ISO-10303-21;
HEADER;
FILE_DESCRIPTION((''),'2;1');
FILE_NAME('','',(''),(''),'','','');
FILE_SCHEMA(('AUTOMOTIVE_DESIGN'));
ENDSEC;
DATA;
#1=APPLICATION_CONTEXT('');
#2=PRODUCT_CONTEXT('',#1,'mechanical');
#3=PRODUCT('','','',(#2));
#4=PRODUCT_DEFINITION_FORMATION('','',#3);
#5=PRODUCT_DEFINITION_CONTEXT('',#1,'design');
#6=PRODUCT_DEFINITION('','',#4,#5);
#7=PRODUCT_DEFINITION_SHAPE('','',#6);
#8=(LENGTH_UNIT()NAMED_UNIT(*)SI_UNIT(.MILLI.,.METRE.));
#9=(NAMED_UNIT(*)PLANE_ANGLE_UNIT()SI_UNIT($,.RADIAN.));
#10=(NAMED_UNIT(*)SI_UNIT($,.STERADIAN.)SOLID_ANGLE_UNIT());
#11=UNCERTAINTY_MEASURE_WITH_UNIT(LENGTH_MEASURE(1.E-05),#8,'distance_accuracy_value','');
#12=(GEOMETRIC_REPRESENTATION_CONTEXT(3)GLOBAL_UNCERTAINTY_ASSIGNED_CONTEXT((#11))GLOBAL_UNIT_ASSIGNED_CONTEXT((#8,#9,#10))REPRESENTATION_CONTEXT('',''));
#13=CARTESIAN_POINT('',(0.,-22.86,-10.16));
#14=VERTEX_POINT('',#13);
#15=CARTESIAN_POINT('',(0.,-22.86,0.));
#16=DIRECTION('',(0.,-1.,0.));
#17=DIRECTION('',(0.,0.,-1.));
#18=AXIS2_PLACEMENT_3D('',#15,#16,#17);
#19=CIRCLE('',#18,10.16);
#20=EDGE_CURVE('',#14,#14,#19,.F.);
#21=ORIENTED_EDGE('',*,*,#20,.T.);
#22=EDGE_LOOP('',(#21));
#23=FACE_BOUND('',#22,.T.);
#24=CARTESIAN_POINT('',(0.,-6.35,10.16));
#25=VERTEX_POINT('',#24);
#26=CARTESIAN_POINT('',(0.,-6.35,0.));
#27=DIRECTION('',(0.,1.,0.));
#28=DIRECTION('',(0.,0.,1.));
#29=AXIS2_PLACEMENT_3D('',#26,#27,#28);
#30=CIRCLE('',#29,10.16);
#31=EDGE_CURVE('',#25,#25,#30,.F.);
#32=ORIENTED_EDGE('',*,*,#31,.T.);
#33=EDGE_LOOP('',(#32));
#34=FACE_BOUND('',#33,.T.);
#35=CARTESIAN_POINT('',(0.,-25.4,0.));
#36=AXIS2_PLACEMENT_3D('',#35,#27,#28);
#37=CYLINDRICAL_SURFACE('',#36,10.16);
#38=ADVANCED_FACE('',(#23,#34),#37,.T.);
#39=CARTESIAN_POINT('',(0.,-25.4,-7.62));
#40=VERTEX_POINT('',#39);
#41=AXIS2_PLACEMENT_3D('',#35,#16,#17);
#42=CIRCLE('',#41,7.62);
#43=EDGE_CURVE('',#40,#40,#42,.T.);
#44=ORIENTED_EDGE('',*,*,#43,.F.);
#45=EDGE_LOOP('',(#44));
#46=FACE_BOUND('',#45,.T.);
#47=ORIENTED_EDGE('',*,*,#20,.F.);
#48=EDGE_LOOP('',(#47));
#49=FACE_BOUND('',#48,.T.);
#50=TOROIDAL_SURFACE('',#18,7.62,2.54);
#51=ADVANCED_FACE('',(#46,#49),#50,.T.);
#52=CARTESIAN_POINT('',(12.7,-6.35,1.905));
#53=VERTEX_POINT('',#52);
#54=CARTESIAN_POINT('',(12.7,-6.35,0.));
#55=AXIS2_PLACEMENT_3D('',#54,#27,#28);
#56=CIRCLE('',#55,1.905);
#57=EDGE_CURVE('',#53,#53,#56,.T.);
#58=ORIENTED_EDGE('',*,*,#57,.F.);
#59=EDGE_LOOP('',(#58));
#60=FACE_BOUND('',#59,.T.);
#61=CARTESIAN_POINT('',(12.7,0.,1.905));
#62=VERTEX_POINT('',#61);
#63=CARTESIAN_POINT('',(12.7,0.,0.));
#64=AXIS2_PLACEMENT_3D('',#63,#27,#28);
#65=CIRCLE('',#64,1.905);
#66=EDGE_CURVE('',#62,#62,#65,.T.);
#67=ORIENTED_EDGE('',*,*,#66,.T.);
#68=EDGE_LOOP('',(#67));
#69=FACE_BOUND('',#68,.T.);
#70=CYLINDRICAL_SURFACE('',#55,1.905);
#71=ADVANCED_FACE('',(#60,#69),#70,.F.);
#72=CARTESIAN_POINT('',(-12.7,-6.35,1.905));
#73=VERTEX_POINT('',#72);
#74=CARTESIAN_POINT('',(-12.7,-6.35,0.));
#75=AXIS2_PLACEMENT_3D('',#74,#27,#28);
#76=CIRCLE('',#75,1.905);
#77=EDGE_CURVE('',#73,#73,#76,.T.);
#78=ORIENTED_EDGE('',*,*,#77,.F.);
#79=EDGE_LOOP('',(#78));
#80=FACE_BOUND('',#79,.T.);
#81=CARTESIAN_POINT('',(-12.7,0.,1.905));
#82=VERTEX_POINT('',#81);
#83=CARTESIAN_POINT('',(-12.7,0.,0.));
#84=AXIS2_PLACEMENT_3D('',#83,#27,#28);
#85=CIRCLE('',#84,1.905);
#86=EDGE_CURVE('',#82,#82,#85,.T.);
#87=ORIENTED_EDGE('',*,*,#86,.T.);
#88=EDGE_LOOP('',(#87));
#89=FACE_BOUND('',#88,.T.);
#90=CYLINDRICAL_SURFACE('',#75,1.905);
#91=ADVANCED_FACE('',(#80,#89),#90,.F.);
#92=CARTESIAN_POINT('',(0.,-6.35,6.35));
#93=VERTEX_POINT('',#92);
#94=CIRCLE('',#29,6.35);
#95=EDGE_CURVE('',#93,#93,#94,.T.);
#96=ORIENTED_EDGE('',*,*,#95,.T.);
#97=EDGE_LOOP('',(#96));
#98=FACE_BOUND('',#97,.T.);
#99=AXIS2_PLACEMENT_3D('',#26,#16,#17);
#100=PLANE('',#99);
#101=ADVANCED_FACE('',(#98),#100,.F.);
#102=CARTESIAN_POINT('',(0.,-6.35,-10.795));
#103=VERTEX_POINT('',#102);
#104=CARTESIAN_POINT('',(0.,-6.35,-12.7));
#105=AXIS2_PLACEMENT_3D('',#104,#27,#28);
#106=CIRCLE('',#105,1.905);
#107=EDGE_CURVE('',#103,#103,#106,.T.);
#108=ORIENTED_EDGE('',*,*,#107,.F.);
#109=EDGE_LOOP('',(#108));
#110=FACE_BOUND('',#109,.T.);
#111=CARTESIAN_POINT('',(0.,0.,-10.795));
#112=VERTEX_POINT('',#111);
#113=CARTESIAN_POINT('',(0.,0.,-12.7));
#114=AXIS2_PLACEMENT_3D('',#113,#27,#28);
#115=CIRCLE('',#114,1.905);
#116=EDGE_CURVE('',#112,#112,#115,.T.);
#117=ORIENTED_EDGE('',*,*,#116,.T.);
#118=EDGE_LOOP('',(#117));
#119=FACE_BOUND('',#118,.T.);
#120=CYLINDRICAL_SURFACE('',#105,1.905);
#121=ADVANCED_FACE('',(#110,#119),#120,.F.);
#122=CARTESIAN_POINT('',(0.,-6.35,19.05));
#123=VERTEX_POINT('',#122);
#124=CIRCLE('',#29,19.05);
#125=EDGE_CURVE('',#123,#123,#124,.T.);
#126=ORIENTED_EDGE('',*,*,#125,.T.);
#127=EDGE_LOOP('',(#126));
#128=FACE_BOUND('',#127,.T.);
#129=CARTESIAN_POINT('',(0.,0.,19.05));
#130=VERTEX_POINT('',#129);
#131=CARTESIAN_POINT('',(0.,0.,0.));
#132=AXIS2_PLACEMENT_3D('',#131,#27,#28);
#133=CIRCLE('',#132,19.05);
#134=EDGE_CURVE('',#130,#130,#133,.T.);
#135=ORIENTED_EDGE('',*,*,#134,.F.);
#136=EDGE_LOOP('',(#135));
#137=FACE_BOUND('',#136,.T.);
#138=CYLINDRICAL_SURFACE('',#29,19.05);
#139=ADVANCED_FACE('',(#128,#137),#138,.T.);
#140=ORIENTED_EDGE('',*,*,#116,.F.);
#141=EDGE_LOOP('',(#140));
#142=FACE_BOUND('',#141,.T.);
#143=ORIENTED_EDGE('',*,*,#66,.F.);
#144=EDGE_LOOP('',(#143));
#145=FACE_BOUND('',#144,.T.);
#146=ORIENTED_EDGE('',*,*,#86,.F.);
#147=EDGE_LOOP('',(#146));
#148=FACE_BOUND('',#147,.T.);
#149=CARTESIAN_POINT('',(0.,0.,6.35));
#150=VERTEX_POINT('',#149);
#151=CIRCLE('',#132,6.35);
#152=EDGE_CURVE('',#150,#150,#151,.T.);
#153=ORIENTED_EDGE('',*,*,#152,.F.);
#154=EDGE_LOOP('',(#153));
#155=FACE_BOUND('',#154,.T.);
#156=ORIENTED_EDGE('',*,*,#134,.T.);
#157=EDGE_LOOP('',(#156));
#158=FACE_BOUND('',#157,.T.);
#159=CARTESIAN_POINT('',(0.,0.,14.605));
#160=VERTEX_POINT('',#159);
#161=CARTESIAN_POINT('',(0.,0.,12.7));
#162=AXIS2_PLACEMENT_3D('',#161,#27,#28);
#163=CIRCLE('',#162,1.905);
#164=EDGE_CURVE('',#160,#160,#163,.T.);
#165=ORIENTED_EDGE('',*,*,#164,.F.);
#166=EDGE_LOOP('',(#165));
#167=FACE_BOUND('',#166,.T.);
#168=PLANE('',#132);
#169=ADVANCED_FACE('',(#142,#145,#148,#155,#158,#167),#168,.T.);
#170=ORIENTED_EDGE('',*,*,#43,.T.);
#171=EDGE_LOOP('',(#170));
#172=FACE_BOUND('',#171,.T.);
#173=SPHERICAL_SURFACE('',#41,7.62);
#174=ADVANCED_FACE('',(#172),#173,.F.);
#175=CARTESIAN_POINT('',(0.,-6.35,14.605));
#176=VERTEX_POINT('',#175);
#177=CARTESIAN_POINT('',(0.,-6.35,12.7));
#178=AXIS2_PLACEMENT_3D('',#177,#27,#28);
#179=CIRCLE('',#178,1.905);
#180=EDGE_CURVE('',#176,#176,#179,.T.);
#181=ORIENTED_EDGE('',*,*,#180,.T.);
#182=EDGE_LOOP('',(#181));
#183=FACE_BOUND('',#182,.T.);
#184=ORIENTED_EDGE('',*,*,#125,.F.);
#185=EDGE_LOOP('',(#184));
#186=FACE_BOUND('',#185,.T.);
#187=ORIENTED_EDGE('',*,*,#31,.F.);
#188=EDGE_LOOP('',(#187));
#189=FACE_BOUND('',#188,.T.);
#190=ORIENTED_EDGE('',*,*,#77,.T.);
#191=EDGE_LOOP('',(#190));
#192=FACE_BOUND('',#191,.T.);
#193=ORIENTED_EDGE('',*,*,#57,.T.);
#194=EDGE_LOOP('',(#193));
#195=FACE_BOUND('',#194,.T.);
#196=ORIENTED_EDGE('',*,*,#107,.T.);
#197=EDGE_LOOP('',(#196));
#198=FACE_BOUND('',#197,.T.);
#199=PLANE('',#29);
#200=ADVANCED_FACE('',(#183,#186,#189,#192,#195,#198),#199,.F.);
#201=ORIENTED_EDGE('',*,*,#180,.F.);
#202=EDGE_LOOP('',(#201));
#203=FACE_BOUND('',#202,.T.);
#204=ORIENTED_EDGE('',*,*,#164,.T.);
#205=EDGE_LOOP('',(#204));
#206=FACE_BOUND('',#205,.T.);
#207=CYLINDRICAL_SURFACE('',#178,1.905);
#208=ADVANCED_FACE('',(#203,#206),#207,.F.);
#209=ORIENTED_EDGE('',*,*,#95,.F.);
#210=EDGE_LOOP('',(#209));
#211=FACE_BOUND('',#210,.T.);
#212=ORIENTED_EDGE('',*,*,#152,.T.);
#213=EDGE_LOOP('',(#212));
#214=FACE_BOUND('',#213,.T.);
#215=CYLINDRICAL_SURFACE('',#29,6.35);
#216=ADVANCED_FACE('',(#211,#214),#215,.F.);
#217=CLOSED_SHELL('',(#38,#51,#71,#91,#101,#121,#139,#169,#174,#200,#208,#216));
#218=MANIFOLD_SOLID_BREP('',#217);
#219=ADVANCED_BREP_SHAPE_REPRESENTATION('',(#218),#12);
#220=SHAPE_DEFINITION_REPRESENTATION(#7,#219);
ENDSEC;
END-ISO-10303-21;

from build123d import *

# Parameters (mm, degrees)
SKETCH2_R           = 19.05
SKETCH2_R_2         = 6.35
SKETCH2_R_3         = 1.905
BOSS_EXTRUDE1_DEPTH = 6.35
SKETCH3_R           = 10.16
BOSS_EXTRUDE2_DEPTH = 19.05
FILLET1_R           = 2.54


with BuildPart() as part:
    # Sketch2 → Boss-Extrude1 (new body)
    with BuildSketch(Plane(origin=(0, 0, 0), x_dir=(1, 0, 0), z_dir=(0, 1, 0))):
        with Locations(Location((0, 0, 0), (0, 0, 270))):
            Circle(SKETCH2_R)
        with Locations(Location((0, 0, 0), (0, 0, 270))):
            Circle(SKETCH2_R_2, mode=Mode.SUBTRACT)
        with Locations(Location((0, 12.7, 0), (0, 0, 270))):
            Circle(SKETCH2_R_3, mode=Mode.SUBTRACT)
        with Locations(Location((12.7, 0, 0), (0, 0, 270))):
            Circle(SKETCH2_R_3, mode=Mode.SUBTRACT)
        with Locations(Location((0, -12.7, 0), (0, 0, 270))):
            Circle(SKETCH2_R_3, mode=Mode.SUBTRACT)
        with Locations(Location((-12.7, 0, 0), (0, 0, 270))):
            Circle(SKETCH2_R_3, mode=Mode.SUBTRACT)
    extrude(amount=-BOSS_EXTRUDE1_DEPTH)

    # Sketch3 → Boss-Extrude2 (add)
    with BuildSketch(Plane.XZ.offset(6.35)):
        with Locations(Location((0, 0, 0), (0, 0, 90))):
            Circle(SKETCH3_R)
    extrude(amount=BOSS_EXTRUDE2_DEPTH)

    # Fillet1
    fillet1_edges = [part.edges().sort_by_distance(p)[0] for p in [
        (0, -25.4, -10.16),
    ]]
    fillet(fillet1_edges, radius=FILLET1_R)


with BuildPart() as body_2:
    # Sketch5 → Revolve1 (revolve)
    with BuildSketch(Plane.XZ.offset(25.4)):
        with BuildLine():
            Line((0, 7.62), (0, -7.62))
            ThreePointArc((0, -7.62), (7.62, 0), (0, 7.62))
        make_face()
    revolve(axis=Axis((0, -25.4, -11.766022755), (0, 0, 1)))


with BuildPart() as part_1:
    add(part.part)

    # Combine1: cut body 2
    add(body_2.part, mode=Mode.SUBTRACT)


solid = part_1.part
